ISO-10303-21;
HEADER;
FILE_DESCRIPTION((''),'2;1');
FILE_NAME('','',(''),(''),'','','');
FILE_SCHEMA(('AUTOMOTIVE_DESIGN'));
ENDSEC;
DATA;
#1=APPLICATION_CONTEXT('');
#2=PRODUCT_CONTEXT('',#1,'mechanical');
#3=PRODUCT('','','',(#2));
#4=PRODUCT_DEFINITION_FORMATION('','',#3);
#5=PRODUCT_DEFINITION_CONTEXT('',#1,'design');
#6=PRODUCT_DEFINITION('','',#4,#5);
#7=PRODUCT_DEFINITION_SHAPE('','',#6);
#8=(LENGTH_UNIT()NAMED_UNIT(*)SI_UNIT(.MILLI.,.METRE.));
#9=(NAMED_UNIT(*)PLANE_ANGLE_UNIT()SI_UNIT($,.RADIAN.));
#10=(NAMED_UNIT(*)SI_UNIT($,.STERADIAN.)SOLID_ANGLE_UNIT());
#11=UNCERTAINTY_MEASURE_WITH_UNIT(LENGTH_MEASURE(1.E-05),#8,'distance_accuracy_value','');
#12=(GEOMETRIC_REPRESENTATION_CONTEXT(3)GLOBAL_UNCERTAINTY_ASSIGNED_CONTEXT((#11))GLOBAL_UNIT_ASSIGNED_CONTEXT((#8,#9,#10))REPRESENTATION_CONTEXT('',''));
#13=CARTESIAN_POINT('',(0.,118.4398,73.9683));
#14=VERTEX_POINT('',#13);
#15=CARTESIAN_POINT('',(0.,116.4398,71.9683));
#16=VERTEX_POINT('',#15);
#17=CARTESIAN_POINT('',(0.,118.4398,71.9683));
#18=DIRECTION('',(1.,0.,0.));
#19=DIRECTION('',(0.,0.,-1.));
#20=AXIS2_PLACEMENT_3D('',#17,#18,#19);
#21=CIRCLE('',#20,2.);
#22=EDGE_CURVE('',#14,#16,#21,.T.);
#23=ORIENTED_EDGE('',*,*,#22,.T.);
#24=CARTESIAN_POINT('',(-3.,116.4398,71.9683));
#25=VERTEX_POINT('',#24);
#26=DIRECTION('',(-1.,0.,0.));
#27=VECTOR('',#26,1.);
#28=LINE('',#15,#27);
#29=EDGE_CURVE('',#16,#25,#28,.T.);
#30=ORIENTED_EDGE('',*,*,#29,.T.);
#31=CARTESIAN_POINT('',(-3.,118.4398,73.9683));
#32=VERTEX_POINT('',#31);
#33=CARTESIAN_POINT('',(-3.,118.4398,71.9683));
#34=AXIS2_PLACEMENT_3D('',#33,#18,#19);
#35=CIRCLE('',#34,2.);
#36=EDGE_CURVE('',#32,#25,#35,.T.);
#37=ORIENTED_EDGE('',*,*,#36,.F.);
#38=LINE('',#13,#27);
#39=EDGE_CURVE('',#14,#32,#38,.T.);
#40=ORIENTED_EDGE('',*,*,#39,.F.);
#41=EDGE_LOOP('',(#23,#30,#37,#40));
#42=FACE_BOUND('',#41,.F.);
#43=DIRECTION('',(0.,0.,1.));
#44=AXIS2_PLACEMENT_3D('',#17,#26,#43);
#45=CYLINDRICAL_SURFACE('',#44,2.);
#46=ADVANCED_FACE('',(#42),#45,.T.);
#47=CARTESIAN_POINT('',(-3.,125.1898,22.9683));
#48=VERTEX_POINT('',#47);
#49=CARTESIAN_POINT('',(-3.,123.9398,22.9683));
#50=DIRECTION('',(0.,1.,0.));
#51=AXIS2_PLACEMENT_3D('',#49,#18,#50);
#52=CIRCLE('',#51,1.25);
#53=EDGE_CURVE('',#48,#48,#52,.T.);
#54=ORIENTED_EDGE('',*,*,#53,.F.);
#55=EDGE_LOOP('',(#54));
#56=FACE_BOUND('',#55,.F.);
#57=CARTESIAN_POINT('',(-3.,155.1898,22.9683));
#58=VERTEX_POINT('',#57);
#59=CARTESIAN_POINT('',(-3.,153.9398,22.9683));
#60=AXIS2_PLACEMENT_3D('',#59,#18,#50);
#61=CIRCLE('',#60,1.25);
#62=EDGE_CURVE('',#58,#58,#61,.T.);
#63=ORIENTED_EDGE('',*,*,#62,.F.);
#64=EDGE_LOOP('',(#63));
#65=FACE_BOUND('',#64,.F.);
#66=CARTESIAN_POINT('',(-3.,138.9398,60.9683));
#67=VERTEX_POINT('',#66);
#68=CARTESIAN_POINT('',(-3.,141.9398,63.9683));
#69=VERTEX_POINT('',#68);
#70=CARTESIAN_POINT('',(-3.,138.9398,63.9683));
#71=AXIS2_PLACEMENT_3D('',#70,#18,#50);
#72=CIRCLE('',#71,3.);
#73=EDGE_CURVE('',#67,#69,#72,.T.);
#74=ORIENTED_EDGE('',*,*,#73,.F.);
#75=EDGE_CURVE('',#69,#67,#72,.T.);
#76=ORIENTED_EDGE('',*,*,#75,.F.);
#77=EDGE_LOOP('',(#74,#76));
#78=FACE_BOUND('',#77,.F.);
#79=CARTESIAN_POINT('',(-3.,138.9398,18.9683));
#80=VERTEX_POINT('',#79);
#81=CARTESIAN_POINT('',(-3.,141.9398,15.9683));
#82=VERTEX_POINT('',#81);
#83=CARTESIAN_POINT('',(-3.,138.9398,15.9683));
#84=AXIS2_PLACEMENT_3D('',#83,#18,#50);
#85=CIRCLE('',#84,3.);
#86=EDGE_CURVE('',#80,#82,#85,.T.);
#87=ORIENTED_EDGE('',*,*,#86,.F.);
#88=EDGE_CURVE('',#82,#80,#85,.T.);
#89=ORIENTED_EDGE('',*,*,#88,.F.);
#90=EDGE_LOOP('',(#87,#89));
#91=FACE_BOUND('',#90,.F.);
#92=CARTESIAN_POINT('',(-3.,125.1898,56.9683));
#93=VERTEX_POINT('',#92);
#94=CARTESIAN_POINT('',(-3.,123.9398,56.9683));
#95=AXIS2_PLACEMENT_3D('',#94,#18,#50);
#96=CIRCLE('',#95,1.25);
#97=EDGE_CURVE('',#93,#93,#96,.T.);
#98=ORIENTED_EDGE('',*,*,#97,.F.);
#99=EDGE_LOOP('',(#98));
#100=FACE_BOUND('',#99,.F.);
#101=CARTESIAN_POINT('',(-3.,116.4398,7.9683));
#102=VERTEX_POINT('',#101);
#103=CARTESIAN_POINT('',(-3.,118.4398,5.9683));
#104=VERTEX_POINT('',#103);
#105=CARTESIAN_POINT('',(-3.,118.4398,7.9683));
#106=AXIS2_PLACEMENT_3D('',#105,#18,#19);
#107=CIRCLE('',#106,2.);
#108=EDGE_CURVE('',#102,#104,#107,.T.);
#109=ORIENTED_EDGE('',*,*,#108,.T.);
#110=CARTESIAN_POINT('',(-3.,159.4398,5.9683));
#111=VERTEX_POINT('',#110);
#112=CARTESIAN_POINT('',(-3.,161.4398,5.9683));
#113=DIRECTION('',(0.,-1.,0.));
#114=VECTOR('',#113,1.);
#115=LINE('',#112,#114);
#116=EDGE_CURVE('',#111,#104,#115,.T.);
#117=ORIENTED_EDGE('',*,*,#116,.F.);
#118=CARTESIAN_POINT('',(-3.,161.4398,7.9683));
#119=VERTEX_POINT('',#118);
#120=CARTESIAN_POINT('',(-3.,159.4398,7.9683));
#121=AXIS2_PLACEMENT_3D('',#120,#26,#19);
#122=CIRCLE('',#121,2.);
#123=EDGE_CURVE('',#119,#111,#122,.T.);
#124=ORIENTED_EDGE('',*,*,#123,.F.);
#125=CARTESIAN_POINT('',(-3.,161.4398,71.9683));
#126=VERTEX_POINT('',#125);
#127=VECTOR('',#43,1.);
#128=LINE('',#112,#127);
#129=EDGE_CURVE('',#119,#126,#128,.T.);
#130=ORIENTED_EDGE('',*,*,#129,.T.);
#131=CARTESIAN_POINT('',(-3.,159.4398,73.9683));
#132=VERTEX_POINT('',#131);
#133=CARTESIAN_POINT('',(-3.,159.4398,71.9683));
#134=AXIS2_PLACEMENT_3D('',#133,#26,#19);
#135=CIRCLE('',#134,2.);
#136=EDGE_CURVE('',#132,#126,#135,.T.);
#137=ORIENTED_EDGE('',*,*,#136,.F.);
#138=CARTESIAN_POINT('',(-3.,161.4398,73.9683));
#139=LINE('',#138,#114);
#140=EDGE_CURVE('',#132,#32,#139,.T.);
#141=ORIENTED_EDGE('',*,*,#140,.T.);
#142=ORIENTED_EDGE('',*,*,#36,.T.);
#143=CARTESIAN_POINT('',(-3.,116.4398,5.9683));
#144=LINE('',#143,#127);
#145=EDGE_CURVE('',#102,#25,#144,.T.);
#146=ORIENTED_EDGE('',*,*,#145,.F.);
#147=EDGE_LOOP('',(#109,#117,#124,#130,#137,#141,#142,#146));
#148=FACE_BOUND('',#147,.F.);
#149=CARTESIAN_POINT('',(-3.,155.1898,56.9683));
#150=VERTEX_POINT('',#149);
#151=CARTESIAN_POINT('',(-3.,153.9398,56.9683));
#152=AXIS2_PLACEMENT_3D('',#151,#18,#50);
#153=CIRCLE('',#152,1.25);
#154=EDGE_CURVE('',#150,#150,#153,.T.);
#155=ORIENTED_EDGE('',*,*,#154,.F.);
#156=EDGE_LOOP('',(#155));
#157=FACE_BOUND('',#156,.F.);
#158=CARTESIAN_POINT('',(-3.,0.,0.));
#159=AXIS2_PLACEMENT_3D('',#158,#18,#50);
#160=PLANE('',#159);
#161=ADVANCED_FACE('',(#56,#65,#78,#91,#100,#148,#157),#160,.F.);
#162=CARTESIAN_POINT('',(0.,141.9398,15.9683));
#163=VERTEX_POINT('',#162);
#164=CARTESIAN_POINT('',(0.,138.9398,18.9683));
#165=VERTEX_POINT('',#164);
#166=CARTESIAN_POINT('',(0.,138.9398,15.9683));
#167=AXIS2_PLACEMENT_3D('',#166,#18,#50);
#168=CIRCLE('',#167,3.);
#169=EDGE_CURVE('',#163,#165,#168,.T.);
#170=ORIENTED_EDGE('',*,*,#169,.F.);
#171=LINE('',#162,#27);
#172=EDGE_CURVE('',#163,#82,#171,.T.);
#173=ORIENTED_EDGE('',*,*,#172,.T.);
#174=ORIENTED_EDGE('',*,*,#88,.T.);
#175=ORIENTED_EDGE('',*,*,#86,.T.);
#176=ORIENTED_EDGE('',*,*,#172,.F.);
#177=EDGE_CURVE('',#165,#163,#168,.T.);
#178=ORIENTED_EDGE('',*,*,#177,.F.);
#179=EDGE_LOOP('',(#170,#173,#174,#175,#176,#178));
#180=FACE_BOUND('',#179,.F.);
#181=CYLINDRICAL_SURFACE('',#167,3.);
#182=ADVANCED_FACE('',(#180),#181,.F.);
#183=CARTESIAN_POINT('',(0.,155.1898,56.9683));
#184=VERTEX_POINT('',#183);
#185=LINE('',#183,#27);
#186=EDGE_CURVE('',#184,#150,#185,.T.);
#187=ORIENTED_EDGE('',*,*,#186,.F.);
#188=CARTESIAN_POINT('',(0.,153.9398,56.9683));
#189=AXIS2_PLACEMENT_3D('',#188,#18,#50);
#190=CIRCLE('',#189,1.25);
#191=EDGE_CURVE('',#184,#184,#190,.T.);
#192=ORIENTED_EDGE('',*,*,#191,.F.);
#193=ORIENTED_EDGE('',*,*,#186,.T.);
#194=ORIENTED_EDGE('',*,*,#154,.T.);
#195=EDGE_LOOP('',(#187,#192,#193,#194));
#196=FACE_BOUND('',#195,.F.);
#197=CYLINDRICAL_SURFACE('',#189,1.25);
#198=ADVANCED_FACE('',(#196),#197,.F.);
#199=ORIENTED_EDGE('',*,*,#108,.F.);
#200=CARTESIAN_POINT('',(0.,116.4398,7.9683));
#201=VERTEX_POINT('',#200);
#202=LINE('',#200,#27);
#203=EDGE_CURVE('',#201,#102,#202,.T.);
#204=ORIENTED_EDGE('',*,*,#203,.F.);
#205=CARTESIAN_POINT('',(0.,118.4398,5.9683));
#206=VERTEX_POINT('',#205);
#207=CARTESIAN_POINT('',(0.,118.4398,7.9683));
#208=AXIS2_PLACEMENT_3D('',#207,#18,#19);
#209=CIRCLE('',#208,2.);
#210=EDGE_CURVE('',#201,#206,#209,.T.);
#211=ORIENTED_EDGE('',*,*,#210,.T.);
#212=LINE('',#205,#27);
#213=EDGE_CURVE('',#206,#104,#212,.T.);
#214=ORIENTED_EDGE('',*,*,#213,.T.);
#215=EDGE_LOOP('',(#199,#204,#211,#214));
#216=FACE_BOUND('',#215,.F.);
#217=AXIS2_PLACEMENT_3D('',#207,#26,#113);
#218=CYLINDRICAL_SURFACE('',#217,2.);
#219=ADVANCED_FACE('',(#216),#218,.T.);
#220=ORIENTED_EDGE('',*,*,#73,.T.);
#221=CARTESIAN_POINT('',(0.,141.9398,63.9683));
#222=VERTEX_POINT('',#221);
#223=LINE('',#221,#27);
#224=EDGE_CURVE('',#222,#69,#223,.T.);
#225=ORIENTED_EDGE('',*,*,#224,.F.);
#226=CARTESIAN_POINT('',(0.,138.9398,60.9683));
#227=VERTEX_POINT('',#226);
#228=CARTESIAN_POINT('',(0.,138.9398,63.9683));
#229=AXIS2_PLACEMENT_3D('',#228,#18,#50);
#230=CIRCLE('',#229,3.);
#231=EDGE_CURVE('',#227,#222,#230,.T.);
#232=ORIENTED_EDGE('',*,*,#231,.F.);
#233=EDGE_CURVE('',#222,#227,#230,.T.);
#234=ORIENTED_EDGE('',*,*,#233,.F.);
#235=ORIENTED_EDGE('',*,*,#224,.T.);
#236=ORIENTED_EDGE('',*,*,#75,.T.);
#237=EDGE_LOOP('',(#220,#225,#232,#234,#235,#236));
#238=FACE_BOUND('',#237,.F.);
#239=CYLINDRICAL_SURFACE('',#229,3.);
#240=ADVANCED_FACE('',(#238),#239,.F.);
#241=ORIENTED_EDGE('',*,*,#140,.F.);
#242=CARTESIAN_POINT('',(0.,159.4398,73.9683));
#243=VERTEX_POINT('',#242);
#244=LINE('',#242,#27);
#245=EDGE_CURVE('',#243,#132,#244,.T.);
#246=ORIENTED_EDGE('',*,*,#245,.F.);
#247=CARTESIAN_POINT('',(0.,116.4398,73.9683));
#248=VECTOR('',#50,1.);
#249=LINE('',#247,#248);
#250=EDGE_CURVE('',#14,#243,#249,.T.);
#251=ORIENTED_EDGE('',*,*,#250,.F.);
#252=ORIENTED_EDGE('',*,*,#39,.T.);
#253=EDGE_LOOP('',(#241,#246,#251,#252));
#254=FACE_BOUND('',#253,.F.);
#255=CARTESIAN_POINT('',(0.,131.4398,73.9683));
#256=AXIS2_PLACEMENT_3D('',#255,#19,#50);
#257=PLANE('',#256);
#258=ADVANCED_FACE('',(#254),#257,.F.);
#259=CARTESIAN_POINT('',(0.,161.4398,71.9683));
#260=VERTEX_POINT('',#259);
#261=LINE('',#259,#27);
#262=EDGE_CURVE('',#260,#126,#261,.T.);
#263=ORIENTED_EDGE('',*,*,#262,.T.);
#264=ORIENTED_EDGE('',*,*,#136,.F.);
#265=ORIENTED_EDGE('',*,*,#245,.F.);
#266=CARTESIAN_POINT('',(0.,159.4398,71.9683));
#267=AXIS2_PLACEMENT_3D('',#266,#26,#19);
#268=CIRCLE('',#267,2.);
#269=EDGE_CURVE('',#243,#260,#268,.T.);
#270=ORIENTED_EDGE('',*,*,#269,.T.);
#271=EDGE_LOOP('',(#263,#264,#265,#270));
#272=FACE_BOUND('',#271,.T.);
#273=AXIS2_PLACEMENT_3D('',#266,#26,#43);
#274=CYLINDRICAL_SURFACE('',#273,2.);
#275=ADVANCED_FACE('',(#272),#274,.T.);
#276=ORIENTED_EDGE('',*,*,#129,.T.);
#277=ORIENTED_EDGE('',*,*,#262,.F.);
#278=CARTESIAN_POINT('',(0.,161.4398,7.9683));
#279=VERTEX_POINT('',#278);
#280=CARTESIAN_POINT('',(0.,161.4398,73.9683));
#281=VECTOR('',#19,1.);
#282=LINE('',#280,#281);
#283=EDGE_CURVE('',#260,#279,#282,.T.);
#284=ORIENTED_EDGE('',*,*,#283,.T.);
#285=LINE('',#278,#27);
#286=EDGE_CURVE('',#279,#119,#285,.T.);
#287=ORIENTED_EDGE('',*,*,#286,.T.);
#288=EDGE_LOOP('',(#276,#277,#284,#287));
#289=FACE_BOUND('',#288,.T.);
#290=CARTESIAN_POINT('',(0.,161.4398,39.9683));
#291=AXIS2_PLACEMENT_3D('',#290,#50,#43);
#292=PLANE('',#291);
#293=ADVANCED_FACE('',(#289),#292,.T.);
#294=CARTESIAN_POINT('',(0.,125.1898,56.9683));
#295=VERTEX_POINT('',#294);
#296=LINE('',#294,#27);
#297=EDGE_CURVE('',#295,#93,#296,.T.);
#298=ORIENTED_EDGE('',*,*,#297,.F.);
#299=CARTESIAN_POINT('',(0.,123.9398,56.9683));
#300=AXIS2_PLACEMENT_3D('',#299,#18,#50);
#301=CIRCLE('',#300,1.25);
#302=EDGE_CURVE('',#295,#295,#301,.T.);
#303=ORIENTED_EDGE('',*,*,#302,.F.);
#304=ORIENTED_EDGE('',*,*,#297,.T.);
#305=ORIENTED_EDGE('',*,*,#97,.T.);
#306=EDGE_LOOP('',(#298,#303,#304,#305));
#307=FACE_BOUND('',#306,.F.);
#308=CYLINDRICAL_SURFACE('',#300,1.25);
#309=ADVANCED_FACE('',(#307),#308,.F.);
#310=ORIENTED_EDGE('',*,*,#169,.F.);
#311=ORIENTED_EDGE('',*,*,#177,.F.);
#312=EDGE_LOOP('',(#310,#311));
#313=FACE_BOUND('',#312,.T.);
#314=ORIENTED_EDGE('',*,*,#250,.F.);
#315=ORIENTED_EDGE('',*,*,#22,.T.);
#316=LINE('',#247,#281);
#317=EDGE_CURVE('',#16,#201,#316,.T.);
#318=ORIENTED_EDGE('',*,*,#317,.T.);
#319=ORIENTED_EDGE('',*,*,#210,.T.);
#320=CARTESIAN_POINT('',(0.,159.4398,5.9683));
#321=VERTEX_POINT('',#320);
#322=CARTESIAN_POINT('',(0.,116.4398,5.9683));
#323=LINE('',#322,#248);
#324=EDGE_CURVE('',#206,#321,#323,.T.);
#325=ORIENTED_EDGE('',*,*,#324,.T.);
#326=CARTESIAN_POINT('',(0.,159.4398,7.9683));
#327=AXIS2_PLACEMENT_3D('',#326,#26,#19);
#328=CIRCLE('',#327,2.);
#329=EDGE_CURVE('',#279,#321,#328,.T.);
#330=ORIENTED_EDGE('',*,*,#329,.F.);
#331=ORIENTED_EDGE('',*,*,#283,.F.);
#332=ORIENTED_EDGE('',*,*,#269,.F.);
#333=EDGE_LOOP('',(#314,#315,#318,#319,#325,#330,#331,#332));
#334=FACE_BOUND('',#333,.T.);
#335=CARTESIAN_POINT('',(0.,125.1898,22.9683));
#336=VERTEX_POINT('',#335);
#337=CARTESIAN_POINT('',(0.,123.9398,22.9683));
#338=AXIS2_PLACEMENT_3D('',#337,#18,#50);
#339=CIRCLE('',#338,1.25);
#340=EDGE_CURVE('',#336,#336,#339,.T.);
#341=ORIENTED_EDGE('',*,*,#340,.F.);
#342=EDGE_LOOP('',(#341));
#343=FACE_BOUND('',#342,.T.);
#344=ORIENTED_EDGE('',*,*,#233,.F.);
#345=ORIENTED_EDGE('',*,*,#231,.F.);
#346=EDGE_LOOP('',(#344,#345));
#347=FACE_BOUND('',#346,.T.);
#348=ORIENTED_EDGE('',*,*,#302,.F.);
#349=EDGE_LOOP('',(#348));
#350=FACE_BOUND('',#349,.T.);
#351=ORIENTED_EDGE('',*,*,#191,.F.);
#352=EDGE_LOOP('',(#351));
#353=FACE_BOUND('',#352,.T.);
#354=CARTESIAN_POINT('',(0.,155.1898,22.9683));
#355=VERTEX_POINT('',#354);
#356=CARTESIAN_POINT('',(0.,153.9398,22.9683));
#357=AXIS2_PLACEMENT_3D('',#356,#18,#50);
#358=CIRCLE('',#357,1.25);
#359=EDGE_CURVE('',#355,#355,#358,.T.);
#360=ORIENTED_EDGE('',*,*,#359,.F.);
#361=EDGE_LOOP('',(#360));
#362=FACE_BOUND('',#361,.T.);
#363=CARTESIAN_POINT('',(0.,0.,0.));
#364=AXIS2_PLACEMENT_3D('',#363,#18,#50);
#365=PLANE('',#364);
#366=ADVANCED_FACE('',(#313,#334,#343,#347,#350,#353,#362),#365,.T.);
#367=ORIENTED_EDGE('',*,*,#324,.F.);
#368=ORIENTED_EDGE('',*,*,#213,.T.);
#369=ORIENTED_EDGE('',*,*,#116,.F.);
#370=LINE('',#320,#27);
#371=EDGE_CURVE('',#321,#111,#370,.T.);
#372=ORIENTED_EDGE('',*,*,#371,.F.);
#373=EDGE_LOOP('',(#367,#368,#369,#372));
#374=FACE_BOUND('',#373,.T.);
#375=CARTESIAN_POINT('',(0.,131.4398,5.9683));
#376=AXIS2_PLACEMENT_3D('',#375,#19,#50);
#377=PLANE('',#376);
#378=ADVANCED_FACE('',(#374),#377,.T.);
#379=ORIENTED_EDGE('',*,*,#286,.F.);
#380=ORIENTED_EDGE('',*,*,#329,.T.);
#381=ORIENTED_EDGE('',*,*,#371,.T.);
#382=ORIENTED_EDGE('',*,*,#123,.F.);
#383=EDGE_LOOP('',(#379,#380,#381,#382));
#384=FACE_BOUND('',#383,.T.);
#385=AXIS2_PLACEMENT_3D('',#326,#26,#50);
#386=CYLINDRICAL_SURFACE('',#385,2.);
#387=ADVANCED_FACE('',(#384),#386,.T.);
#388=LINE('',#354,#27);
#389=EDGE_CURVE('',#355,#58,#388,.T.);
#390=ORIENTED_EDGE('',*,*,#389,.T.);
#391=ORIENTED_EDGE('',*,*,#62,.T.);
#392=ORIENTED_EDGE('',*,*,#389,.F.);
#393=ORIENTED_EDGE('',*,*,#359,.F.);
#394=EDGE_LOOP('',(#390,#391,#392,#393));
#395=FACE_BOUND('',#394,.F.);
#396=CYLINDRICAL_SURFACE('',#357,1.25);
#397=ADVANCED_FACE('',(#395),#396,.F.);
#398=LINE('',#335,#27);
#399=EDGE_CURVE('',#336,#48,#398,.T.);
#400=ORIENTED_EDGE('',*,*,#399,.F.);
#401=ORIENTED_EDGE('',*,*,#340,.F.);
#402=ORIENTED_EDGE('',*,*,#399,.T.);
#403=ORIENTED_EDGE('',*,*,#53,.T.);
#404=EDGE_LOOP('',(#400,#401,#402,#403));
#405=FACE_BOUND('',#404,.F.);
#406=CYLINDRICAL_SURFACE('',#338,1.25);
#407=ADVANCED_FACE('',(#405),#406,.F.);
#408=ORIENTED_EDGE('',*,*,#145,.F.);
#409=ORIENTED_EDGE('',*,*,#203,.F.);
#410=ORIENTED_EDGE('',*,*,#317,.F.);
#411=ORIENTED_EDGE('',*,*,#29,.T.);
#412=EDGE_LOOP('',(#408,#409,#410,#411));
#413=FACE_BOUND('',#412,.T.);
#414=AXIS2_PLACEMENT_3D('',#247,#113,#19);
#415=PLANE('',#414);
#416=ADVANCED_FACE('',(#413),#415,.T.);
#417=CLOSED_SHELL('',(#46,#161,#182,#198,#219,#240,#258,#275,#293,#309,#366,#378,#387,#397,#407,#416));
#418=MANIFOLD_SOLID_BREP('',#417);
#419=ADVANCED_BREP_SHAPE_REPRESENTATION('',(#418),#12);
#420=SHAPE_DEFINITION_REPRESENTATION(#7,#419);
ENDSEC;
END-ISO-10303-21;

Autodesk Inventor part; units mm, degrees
ref_plane "YZ Plane" through (0, 0, 0) normal (1, 0, 0) x (0, 1, 0)
ref_plane "XZ Plane" through (0, 0, 0) normal (0, 1, 0) x (-1, 0, 0)
ref_plane "XY Plane" through (0, 0, 0) normal (0, 0, 1) x (1, 0, 0)
sketch "スケッチ1" plane through (0, 0, 0) normal (1, 0, 0) x (0, 1, 0)
  line L0 (131.4398, 116.9683) -> (131.4398, -135.5317)
  line L1 (131.4398, 116.9683) -> (116.4398, 116.9683)
  circle A0 centre (138.9398, 63.9683) radius 3
  circle A1 centre (138.9398, 15.9683) radius 3
  line L2 (116.4398, 73.9683) -> (161.4398, 73.9683)
  line L3 (161.4398, -135.5317) -> (161.4398, 116.9683)
  line L4 (116.4398, 5.9683) -> (161.4398, 5.9683)
  line L5 (116.4398, 116.9683) -> (116.4398, -135.5317)
  line L6 (116.4398, 39.9683) -> (161.4398, 39.9683)
  circle A2 centre (123.9398, 22.9683) radius 1.25
  circle A3 centre (123.9398, 56.9683) radius 1.25
  line L7 (138.9398, 63.9683) -> (138.9398, 15.9683)
  circle A4 centre (153.9398, 56.9683) radius 1.25
  circle A5 centre (153.9398, 22.9683) radius 1.25
  line L8 (116.4398, 73.9683) -> (116.4398, 5.9683)
  line L9 (161.4398, 5.9683) -> (161.4398, 73.9683)
  point P0 (0, 0)
  point P1 (-153.5602, 148.7156)
  point P2 (138.9398, 39.9683)
  point P3 (123.9398, 116.9683)
  dimension "d0" = 7.5
  dimension "d1" = 77
  dimension "d2" = 6
  dimension "d3" = 6
  dimension "d4" = 48
  dimension "d5" = 24
  dimension "d6" = 7.5
  dimension "d7" = 7.5
  dimension "d8" = 10
  dimension "d9" = 10
  dimension "d10" = 34
  dimension "d11" = 2.5
  dimension "d12" = 2.5
  dimension "d13" = 17
  dimension "d14" = 17
  dimension "d15" = 7.5
  dimension "d16" = 7.5
extrude "押し出し1" add sketch "スケッチ1" against normal blind 3 contours L2 L3 L6 L0 | L0 L6 L5 L2 | L6 L3 L4 L0 | L0 L4 L5 L6
fillet "フィレット1" radius 2 4 edges at (-1.5, 161.4398, 73.9683) (-1.5, 116.4398, 73.9683) (-1.5, 116.4398, 5.9683) (-1.5, 161.4398, 5.9683)
equation "\"d6\" = d0"
equation "\"d7\" = d0"
equation "\"d14\" = d13"
equation "\"d15\" = d0"
equation "\"d16\" = d0"
properties part number "belt_liner_v2_Plate_12" material "アルミニウム 6061"
